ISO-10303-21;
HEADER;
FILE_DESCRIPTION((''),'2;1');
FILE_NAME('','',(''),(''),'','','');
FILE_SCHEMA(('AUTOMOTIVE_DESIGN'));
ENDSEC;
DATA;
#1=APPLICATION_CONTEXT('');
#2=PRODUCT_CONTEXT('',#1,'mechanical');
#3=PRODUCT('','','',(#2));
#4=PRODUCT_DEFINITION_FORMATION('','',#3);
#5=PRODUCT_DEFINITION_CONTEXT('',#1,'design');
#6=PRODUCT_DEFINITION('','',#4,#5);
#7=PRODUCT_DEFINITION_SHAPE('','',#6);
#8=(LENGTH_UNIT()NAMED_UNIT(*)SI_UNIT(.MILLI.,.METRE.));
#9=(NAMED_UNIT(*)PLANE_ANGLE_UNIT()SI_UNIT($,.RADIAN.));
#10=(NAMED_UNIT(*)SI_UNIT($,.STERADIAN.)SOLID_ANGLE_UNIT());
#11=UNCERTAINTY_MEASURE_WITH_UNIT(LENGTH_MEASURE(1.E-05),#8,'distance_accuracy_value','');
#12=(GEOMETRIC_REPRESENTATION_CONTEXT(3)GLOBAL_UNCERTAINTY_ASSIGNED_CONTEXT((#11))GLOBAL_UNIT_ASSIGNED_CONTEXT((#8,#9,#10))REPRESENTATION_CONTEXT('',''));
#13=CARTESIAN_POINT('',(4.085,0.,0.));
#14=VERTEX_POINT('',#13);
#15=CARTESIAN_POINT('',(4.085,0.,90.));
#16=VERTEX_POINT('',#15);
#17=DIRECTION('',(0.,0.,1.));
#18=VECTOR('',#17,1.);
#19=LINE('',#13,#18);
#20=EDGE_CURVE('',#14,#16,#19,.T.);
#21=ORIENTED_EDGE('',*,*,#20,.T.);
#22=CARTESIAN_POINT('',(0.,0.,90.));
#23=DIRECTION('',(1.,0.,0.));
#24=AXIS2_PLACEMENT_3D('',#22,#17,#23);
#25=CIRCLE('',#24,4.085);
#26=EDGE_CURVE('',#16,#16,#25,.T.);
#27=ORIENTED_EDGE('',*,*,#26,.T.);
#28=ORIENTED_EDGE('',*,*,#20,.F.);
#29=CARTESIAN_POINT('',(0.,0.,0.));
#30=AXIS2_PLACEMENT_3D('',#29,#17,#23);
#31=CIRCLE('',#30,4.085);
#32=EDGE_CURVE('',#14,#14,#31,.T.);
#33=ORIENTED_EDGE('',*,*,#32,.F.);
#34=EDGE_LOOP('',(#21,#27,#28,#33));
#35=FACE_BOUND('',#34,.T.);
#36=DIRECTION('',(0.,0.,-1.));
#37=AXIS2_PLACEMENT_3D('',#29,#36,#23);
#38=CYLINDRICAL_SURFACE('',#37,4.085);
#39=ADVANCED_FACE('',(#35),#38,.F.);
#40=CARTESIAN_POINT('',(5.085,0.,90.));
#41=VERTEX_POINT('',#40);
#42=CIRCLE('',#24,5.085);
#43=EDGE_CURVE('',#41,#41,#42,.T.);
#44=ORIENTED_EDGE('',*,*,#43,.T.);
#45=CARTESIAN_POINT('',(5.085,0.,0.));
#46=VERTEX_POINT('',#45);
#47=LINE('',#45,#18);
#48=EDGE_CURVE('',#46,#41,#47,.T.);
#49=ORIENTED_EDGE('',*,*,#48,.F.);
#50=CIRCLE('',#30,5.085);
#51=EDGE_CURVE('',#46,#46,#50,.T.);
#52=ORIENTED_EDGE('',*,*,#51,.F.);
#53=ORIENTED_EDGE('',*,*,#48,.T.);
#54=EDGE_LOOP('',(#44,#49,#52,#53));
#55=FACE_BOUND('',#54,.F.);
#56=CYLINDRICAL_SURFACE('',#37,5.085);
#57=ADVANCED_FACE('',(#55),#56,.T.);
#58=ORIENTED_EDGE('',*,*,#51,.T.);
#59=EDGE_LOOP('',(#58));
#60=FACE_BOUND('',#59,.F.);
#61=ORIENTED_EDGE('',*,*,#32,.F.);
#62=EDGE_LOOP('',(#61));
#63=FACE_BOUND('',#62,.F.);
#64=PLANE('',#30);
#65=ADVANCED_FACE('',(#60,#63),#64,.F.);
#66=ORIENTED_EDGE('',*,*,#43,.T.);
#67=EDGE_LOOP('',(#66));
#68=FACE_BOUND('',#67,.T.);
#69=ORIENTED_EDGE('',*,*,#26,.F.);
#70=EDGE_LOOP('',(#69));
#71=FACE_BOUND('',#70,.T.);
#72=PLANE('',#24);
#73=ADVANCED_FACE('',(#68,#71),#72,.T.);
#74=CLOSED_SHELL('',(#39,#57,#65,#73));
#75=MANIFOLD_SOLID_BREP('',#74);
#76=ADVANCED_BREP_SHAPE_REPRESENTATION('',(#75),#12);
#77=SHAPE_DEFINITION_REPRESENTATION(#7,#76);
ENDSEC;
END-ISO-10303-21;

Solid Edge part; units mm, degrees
sketch "Sketch1" plane through (0, 0, 0) normal (0, 0, 1) x (1, 0, 0)
  circle A0 centre (0, 0) radius 5.085
  circle A1 centre (0, 0) radius 4.085
extrude "Protrusion1" add sketch "Sketch1" along normal blind 90
